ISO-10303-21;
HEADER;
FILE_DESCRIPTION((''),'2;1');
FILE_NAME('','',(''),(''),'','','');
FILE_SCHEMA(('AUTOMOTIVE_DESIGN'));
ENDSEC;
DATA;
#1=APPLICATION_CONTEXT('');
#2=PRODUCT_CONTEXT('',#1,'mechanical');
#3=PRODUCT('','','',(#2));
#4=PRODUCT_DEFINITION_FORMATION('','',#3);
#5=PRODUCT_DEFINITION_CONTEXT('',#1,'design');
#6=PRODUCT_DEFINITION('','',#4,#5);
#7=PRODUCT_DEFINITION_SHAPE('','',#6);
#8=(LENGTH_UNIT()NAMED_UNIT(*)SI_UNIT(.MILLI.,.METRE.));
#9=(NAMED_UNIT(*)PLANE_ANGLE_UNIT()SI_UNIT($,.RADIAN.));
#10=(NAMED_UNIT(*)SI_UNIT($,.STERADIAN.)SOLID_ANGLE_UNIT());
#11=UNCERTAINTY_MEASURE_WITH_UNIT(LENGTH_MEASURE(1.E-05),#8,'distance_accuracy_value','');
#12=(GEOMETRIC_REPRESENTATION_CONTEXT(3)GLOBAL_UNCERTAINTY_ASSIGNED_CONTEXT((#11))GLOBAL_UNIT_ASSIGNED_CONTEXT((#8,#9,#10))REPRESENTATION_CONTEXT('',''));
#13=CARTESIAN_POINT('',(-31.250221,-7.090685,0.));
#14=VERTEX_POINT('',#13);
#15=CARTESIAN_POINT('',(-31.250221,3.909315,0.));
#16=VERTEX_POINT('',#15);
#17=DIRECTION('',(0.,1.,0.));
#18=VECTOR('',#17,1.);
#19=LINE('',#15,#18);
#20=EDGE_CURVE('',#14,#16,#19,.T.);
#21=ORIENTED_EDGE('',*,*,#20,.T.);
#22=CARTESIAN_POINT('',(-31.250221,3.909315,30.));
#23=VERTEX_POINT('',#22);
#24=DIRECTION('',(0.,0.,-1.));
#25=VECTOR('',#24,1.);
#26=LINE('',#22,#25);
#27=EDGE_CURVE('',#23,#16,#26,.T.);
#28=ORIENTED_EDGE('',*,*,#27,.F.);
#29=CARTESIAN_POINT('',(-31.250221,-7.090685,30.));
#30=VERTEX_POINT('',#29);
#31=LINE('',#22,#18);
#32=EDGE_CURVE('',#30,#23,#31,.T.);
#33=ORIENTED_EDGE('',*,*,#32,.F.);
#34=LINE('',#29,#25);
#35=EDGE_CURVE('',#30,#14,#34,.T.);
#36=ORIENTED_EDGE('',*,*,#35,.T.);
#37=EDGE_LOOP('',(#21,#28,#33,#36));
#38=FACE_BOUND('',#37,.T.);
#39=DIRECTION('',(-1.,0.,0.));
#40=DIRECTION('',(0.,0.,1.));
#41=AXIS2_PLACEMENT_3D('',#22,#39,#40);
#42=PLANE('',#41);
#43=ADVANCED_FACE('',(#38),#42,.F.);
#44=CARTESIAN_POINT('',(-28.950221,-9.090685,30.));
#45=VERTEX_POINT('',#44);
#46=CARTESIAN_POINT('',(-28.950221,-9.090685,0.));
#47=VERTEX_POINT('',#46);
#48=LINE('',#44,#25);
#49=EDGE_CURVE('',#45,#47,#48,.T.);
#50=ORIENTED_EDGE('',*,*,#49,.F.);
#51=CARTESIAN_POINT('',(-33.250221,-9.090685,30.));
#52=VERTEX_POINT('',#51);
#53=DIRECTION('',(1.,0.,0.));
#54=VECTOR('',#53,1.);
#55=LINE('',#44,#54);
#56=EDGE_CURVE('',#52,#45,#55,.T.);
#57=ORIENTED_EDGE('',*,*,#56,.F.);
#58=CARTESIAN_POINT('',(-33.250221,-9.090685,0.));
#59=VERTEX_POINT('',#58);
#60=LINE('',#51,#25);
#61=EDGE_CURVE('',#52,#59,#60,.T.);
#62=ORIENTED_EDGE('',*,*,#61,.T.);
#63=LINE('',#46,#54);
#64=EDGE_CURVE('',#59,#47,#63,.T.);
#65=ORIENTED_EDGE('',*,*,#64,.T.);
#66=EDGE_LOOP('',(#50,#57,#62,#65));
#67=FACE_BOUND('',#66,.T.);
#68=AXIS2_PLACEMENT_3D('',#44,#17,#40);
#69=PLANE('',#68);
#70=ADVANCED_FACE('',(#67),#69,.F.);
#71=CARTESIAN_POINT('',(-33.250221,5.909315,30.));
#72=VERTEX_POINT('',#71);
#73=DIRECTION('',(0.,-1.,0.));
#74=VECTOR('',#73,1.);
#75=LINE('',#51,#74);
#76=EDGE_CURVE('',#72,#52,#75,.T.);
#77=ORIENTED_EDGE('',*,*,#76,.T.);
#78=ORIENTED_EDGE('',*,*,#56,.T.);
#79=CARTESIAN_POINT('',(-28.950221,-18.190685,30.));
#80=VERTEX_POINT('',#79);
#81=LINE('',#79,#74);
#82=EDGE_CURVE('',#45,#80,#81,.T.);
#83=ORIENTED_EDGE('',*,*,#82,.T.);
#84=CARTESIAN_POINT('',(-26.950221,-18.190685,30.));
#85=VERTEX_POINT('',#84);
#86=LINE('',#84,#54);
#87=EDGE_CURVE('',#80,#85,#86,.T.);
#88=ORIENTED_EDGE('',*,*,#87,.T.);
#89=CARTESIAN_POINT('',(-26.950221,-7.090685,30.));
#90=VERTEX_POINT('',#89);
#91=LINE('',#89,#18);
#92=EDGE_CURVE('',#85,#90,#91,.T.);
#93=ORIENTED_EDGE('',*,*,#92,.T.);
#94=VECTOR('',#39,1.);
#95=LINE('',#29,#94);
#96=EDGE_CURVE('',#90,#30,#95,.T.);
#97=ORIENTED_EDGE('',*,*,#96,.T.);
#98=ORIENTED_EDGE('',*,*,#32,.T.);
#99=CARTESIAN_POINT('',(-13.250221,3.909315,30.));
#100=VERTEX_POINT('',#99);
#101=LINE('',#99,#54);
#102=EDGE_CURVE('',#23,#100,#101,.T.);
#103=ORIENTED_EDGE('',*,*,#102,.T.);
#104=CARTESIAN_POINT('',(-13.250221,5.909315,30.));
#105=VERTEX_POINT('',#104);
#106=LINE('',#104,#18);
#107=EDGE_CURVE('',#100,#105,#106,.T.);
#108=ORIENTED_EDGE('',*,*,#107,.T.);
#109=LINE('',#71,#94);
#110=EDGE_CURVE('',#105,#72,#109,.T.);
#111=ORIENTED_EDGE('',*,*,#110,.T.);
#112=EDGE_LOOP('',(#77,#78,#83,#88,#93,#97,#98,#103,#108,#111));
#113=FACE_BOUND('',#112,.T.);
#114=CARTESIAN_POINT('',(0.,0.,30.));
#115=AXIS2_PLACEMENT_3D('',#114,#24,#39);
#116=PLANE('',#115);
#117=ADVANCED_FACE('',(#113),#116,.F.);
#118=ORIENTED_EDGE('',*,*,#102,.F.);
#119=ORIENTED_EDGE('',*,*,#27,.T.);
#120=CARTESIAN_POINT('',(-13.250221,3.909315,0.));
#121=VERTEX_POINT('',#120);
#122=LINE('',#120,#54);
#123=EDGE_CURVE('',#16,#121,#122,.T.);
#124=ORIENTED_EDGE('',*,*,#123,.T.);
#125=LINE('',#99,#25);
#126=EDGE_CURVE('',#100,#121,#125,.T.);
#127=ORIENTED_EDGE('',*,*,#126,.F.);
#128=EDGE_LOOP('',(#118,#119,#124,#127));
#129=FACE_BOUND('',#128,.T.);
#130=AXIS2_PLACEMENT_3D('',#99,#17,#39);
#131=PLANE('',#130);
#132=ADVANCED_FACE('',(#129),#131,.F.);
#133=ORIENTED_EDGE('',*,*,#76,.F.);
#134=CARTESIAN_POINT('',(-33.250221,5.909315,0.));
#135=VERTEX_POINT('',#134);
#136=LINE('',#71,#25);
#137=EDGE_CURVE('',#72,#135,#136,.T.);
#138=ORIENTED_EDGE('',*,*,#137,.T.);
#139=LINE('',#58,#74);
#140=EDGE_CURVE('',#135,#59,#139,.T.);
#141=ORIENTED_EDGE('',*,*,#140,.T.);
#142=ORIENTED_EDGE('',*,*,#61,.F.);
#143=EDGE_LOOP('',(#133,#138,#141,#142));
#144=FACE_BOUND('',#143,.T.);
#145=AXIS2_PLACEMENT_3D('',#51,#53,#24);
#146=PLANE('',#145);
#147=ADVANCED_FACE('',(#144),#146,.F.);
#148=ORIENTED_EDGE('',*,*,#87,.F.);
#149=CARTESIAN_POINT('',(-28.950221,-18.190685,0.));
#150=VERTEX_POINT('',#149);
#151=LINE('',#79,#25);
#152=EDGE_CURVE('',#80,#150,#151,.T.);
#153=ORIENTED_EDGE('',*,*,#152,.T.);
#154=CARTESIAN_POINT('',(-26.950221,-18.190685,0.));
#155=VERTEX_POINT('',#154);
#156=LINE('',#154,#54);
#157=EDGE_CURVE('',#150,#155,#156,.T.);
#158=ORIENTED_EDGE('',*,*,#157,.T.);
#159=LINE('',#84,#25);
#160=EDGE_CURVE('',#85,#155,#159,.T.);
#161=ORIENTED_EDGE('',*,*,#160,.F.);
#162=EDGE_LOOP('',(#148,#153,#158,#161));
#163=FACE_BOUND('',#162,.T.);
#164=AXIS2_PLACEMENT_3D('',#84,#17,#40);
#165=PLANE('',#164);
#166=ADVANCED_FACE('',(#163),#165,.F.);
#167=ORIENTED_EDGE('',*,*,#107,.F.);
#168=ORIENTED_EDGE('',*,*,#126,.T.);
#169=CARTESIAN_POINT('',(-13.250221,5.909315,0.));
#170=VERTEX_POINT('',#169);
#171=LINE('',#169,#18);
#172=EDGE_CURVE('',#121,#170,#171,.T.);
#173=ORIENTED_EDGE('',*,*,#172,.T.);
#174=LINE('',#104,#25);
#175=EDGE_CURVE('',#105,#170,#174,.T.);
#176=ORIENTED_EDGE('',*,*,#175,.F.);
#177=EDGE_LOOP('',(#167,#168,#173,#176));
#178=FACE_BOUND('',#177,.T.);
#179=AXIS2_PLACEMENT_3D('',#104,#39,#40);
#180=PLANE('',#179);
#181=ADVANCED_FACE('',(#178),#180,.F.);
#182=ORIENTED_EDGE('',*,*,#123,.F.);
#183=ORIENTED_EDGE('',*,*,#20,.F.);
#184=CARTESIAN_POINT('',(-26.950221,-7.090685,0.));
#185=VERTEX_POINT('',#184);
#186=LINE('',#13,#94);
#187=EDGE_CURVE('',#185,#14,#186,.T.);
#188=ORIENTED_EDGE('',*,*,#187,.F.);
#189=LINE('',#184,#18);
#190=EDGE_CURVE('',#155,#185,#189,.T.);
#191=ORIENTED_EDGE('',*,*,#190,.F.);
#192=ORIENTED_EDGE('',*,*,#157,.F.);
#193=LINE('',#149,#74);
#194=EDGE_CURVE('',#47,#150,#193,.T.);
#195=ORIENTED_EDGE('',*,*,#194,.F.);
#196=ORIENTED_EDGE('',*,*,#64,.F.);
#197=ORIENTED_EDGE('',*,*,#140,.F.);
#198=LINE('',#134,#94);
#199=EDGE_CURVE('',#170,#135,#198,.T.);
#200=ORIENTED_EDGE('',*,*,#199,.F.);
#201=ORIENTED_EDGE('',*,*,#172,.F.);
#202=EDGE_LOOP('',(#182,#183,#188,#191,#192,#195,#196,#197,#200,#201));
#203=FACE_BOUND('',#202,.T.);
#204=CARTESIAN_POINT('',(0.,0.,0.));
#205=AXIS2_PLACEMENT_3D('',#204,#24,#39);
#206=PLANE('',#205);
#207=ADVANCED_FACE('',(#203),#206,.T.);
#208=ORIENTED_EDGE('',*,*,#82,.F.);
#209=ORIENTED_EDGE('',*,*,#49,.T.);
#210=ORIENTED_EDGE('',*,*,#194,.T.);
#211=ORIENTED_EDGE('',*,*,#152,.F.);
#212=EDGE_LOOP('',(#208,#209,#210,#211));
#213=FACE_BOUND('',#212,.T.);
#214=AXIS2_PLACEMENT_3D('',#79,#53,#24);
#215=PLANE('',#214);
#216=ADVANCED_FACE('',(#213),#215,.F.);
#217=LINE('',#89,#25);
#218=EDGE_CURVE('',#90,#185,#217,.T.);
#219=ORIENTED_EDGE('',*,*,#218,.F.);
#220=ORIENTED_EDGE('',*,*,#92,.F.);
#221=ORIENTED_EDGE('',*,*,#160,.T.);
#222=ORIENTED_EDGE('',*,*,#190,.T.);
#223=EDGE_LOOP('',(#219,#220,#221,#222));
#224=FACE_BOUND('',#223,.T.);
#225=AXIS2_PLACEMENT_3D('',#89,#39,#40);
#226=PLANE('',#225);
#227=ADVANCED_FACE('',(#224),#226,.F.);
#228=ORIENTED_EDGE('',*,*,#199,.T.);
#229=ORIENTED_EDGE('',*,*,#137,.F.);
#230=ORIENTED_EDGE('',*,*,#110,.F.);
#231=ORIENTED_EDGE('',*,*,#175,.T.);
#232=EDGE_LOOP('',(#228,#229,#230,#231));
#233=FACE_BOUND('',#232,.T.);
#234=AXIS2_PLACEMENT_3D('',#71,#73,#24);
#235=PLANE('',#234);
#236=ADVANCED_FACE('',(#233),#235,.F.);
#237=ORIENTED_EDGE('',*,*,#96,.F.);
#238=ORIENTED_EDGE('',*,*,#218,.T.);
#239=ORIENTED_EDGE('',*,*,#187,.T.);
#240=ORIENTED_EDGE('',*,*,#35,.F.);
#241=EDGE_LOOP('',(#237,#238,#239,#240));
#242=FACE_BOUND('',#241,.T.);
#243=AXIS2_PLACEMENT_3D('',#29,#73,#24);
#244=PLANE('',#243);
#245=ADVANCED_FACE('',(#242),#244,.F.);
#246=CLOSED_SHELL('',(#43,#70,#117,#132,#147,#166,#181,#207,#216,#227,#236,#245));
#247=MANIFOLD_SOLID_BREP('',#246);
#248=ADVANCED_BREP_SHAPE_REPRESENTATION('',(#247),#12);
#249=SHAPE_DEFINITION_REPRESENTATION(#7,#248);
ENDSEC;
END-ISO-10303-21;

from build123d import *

# Parameters (mm, degrees)
EXTRUDE_1_DEPTH = 30


with BuildPart() as part:
    # 草图1 → 凸台-拉伸1 (new body)
    with BuildSketch(Plane.XY):
        Polygon((-28.950221265, -18.190684527), (-28.950221265, -9.090684527), (-33.250221265, -9.090684527), (-33.250221265, 5.909315473), (-13.250221265, 5.909315473), (-13.250221265, 3.909315473), (-31.250221265, 3.909315473), (-31.250221265, -7.090684527), (-26.950221265, -7.090684527), (-26.950221265, -18.190684527), align=None)
    extrude(amount=EXTRUDE_1_DEPTH)


solid = part.part
